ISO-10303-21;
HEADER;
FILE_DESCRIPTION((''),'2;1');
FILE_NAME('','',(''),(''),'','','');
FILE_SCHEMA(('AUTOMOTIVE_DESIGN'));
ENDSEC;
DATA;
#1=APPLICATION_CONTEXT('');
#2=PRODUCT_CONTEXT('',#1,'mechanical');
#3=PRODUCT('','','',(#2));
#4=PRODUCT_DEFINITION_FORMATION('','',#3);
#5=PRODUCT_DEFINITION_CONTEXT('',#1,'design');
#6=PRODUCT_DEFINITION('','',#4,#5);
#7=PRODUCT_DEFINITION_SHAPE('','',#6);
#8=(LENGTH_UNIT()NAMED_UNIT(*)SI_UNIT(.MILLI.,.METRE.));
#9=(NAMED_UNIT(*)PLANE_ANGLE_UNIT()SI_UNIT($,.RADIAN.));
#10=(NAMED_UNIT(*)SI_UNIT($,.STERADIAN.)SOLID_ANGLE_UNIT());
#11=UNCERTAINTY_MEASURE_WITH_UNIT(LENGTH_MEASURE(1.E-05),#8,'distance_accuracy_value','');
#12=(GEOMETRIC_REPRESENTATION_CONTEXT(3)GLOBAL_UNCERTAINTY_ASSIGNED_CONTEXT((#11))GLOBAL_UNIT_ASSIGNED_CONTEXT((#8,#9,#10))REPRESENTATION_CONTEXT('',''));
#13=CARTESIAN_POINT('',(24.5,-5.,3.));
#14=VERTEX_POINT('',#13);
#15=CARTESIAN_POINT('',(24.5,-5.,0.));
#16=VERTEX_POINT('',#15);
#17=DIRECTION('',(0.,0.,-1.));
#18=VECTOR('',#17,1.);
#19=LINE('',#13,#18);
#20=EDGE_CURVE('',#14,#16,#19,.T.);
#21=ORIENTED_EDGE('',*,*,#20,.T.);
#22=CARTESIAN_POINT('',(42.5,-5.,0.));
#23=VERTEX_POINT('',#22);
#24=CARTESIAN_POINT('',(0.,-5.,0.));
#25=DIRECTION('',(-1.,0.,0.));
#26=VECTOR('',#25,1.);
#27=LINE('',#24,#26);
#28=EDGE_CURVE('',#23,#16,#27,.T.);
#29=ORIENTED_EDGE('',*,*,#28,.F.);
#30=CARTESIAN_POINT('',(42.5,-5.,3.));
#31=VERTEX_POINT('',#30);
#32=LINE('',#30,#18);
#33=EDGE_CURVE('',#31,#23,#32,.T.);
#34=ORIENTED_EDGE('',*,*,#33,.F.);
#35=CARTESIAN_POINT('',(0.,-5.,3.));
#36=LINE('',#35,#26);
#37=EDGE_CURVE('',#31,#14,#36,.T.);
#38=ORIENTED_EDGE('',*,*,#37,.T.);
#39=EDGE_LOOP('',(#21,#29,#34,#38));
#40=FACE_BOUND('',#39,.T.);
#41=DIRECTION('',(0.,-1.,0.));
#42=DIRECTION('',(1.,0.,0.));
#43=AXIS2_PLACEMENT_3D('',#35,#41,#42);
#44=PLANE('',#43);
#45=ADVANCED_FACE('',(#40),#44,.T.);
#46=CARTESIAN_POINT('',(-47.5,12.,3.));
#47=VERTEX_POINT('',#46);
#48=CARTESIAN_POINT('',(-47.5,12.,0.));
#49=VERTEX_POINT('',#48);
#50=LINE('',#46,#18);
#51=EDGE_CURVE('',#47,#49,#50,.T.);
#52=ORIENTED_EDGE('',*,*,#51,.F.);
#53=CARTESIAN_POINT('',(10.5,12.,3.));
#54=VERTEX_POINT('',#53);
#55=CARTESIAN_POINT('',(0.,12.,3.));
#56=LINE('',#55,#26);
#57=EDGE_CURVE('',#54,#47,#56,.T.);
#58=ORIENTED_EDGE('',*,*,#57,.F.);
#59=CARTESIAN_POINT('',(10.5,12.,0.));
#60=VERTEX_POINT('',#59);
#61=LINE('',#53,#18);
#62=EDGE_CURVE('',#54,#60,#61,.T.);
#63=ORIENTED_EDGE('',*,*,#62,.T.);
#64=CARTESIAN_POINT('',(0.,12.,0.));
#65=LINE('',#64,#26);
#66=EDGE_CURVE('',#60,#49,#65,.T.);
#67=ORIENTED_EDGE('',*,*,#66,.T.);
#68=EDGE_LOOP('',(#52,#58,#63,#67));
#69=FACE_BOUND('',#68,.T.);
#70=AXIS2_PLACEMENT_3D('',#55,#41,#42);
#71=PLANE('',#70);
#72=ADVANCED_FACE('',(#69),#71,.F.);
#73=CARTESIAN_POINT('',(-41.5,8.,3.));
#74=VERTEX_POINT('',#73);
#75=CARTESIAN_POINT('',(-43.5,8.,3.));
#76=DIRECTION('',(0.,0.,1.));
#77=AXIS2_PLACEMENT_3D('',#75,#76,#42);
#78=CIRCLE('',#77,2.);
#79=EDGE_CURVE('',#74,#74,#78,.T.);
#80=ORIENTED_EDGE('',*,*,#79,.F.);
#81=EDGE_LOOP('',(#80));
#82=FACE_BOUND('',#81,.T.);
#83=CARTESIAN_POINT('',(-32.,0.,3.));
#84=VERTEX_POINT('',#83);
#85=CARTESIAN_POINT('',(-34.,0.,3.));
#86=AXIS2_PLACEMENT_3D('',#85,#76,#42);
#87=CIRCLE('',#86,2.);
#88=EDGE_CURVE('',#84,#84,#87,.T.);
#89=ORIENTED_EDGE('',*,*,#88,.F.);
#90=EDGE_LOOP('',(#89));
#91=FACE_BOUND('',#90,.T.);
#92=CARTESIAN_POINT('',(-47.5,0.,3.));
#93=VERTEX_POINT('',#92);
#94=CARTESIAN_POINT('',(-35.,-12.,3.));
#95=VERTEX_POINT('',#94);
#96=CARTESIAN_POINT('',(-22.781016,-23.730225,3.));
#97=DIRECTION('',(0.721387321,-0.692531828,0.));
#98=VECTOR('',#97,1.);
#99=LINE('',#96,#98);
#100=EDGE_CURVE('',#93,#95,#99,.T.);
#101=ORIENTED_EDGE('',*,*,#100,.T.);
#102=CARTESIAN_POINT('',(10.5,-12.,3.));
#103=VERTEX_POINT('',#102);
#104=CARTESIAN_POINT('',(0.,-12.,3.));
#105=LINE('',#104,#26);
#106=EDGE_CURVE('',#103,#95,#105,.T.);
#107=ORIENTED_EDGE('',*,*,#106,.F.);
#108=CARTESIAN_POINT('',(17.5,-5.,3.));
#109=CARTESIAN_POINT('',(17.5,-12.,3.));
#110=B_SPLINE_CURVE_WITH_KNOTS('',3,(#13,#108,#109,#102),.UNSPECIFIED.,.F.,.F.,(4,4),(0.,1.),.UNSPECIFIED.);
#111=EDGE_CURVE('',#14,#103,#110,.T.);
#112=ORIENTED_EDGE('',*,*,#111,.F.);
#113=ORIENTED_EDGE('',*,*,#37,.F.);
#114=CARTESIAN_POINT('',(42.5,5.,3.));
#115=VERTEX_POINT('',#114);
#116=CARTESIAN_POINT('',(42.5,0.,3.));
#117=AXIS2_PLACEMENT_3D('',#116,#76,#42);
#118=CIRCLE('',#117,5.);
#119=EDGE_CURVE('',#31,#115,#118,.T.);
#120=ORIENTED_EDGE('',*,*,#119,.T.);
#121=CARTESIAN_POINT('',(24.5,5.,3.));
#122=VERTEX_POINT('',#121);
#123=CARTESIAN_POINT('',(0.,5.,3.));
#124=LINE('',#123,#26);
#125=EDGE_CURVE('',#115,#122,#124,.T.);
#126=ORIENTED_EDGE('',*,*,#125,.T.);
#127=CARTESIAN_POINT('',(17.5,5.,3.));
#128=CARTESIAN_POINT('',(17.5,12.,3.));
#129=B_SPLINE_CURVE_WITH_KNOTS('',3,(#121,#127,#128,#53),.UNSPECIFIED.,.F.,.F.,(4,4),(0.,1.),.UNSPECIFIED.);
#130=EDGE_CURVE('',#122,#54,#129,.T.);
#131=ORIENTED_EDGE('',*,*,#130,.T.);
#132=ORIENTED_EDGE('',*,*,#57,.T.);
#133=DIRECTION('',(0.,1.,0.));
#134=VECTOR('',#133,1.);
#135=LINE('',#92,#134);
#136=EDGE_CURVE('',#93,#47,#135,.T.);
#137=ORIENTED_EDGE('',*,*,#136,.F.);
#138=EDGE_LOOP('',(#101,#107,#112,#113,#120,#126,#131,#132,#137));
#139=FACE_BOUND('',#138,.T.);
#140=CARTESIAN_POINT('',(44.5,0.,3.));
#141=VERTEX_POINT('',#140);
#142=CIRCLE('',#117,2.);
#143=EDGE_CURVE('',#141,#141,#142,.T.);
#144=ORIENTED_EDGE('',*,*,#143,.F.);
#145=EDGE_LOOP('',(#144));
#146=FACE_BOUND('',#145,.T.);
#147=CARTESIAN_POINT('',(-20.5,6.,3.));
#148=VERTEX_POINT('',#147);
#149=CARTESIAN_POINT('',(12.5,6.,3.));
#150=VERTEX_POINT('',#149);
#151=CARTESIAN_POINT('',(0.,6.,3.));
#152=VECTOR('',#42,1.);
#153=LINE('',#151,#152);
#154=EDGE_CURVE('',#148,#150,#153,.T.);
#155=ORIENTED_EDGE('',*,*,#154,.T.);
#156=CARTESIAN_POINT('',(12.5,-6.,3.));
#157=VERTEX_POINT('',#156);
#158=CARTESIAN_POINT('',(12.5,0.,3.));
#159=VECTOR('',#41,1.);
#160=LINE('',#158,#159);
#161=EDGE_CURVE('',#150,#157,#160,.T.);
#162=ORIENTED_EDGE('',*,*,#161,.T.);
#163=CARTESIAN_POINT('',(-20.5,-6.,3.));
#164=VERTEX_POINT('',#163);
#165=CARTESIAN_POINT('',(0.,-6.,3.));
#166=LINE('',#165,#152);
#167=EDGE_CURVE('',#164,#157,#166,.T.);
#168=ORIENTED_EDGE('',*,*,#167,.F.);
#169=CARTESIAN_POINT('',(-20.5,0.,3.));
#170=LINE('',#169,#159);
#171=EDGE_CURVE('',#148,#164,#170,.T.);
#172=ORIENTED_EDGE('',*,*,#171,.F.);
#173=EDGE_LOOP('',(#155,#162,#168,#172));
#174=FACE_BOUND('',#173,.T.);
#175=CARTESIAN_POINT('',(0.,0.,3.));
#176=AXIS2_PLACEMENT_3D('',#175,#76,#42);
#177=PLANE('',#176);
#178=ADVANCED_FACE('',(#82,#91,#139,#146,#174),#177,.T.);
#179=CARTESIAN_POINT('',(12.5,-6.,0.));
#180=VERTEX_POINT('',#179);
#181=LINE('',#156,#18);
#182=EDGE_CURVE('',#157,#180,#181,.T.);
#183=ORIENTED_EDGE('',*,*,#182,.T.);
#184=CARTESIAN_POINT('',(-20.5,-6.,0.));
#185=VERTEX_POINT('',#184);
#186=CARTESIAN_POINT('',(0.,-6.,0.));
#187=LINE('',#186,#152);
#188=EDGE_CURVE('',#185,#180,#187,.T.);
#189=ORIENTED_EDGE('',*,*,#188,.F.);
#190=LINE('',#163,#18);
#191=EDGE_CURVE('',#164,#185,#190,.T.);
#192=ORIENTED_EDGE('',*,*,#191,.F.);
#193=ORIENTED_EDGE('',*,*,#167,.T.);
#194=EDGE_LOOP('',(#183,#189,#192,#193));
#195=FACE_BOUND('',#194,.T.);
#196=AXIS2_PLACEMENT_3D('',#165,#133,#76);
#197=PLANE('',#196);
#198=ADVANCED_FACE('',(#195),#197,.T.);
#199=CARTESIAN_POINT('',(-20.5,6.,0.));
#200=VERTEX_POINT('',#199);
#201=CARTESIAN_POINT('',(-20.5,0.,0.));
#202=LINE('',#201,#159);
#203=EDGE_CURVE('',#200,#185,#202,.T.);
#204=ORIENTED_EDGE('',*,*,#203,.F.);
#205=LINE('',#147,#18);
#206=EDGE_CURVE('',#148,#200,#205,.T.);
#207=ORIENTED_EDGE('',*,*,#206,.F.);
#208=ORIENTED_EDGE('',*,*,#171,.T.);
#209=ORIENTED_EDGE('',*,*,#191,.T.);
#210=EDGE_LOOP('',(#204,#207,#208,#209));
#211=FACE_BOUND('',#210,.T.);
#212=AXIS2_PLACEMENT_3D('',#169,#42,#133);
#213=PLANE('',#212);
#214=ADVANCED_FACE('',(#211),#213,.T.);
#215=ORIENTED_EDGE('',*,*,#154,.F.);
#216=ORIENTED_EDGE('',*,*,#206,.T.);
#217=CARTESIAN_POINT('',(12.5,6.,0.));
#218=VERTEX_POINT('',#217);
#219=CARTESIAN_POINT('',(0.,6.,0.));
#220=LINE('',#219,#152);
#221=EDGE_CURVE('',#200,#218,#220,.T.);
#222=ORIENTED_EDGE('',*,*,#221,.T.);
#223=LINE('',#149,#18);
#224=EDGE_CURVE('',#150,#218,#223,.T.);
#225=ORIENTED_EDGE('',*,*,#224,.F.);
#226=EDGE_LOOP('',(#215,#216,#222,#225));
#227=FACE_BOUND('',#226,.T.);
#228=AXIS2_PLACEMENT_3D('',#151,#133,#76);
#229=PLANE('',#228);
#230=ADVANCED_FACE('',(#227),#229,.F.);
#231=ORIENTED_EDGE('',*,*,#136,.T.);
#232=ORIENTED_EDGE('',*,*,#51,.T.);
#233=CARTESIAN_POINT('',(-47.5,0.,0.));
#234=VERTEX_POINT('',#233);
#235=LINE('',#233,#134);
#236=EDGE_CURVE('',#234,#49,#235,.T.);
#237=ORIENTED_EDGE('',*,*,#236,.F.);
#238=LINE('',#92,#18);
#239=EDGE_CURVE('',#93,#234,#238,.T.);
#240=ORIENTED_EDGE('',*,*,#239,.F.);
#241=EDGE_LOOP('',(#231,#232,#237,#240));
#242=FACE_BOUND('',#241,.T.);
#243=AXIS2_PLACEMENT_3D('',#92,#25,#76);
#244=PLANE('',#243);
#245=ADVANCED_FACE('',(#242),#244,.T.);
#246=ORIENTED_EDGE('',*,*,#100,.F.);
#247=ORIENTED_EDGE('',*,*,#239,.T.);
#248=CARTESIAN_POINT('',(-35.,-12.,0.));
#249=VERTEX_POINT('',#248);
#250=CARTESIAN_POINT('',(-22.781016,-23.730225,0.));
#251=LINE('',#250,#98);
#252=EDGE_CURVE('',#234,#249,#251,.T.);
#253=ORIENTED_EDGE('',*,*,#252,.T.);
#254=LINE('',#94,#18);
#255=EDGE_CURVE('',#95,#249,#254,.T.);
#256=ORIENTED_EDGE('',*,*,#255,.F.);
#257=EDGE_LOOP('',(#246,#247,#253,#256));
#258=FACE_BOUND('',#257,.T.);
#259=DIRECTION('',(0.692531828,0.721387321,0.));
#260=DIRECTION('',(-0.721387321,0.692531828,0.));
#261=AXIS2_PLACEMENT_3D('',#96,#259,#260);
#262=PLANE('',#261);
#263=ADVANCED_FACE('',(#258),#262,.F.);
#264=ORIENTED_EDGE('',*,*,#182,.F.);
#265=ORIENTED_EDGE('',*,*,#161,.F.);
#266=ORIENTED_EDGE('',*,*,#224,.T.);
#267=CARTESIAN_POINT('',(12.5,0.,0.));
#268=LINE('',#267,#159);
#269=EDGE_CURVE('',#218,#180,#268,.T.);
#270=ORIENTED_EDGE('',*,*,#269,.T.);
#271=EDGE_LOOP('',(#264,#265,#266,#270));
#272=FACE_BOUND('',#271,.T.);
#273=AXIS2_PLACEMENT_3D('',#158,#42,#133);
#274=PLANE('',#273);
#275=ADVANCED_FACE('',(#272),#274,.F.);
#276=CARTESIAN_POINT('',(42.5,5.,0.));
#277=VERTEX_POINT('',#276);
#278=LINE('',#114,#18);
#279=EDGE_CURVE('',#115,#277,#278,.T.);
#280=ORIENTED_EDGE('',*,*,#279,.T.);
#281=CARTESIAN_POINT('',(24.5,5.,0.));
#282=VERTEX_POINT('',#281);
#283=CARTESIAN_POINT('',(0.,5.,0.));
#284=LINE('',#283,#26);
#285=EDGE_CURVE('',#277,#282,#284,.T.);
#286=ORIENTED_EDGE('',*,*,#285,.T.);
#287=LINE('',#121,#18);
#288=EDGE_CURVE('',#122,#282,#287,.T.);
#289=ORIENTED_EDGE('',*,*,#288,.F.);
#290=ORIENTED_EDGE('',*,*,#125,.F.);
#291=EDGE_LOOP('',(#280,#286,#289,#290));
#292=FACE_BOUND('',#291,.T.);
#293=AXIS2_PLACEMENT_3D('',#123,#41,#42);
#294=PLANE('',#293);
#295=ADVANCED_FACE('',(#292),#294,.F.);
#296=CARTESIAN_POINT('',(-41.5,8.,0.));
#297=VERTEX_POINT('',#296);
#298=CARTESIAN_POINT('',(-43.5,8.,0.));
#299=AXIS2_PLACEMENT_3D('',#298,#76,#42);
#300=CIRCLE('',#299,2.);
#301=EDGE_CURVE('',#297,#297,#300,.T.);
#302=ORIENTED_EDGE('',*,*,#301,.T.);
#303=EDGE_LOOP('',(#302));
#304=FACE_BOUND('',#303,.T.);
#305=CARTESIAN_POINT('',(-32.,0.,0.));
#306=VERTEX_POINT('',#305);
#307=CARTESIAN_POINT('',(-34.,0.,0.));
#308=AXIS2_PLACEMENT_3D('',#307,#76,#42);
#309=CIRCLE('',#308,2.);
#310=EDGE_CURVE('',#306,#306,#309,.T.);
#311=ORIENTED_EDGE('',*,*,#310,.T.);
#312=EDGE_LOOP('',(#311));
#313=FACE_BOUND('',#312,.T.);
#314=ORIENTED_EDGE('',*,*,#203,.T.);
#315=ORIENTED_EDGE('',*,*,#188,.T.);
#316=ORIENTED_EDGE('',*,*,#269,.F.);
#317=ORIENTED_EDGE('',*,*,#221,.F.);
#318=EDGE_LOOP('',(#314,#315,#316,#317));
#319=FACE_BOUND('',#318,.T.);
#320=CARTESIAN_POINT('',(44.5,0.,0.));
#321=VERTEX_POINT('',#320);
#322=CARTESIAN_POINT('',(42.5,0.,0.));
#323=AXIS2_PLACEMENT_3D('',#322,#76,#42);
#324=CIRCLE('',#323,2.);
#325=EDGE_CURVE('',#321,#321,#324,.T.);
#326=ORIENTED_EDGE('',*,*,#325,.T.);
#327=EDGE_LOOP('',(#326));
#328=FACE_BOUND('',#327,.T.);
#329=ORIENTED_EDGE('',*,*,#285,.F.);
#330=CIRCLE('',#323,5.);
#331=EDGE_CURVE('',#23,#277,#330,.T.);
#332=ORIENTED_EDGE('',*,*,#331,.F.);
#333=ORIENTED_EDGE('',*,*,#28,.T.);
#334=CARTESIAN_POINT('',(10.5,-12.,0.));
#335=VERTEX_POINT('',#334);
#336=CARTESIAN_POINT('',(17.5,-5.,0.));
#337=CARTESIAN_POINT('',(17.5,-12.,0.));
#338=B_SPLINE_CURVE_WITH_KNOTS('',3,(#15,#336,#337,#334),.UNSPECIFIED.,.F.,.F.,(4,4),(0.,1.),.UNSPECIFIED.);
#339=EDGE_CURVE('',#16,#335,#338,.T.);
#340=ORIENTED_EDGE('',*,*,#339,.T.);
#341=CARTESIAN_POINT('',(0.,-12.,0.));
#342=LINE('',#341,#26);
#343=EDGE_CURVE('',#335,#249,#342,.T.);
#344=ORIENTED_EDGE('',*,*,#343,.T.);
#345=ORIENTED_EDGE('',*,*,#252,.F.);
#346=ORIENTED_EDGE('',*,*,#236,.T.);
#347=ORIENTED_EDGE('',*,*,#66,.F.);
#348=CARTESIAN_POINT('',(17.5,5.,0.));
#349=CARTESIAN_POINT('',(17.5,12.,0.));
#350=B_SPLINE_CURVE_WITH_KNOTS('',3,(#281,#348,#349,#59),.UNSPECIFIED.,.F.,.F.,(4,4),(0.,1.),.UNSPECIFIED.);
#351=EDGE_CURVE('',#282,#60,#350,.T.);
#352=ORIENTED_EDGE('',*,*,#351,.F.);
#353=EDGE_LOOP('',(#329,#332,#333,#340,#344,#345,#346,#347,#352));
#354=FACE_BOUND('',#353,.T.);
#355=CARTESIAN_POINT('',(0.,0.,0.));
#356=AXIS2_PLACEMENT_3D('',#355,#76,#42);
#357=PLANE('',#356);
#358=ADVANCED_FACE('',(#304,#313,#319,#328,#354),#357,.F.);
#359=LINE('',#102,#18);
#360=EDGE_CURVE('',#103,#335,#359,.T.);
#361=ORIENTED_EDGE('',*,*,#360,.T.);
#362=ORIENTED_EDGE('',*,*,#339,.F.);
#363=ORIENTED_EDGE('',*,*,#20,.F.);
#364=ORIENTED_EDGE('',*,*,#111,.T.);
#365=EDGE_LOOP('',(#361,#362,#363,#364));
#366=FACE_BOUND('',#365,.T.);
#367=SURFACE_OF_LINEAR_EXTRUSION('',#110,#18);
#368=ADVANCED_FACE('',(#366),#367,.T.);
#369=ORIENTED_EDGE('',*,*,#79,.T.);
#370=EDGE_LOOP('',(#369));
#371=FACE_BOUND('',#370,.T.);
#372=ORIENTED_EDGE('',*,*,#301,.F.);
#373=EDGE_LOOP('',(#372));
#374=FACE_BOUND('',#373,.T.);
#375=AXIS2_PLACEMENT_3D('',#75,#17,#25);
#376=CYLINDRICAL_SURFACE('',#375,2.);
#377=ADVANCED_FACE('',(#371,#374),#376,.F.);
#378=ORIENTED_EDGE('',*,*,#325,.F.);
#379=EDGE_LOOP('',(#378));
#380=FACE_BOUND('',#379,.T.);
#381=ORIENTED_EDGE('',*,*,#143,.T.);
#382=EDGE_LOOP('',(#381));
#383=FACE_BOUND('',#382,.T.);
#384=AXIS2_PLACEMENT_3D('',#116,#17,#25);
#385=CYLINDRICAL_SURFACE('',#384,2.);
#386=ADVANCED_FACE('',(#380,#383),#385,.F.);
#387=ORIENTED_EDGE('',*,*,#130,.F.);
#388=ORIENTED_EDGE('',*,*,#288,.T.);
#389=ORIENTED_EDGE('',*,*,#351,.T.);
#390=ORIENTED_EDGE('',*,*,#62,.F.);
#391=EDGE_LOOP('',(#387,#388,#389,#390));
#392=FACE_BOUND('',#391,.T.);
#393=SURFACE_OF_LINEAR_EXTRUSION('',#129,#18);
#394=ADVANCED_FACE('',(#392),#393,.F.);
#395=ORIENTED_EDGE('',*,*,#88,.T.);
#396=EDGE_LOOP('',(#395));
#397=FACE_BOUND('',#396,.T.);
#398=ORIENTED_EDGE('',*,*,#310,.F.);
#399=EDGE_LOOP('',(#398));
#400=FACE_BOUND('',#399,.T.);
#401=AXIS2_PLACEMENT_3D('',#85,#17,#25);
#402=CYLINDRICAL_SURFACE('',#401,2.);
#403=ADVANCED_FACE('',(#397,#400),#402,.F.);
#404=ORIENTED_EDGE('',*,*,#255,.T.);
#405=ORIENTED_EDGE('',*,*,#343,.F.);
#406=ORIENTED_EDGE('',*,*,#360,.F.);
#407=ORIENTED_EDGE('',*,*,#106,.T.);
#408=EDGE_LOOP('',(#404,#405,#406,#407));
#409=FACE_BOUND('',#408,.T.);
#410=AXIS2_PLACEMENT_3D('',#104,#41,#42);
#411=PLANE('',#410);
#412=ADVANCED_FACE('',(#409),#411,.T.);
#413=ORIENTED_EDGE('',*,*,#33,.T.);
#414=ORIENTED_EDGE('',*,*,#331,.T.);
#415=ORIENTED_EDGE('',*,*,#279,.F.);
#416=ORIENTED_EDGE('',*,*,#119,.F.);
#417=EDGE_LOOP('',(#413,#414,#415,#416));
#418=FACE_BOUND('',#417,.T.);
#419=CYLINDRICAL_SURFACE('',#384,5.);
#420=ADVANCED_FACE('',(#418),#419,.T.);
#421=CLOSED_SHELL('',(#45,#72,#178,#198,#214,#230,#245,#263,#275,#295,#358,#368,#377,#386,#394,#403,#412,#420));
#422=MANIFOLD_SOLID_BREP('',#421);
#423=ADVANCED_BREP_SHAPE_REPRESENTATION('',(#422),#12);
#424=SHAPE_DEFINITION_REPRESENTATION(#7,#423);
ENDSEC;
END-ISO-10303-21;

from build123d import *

# Parameters (mm, degrees)
ESQUISSE1_R        = 2
ESQUISSE1_W        = 33
ESQUISSE1_H        = 12
BOSS_EXTRU_1_DEPTH = 3


with BuildPart() as part:
    # Esquisse1 → Boss.-Extru.1 (new body)
    with BuildSketch(Plane.XY):
        with BuildLine():
            Line((-47.5, 12), (-47.5, 0))
            Line((-47.5, 0), (-35, -12))
            Line((-35, -12), (10.5, -12))
            add(Edge.make_bspline(
                [(10.5, -12), (17.5, -12), (17.5, -5), (24.5, -5)],
                knots=[0.5, 0.5, 0.5, 0.5, 1.5, 1.5, 1.5, 1.5], degree=3))
            Line((24.5, -5), (42.5, -5))
            ThreePointArc((42.5, -5), (47.5, 0), (42.5, 5))
            Line((42.5, 5), (24.5, 5))
            add(Edge.make_bspline(
                [(24.5, 5), (17.5, 5), (17.5, 12), (10.5, 12)],
                knots=[0, 0, 0, 0, 1, 1, 1, 1], degree=3))
            Line((10.5, 12), (-47.5, 12))
        make_face()
        with Locations((-34, 0)):
            Circle(ESQUISSE1_R, mode=Mode.SUBTRACT)
        with Locations((-4, 0)):
            Rectangle(ESQUISSE1_W, ESQUISSE1_H, mode=Mode.SUBTRACT)
        with Locations((-43.5, 8)):
            Circle(ESQUISSE1_R, mode=Mode.SUBTRACT)
        with Locations((42.5, 0)):
            Circle(ESQUISSE1_R, mode=Mode.SUBTRACT)
    extrude(amount=BOSS_EXTRU_1_DEPTH)


solid = part.part
